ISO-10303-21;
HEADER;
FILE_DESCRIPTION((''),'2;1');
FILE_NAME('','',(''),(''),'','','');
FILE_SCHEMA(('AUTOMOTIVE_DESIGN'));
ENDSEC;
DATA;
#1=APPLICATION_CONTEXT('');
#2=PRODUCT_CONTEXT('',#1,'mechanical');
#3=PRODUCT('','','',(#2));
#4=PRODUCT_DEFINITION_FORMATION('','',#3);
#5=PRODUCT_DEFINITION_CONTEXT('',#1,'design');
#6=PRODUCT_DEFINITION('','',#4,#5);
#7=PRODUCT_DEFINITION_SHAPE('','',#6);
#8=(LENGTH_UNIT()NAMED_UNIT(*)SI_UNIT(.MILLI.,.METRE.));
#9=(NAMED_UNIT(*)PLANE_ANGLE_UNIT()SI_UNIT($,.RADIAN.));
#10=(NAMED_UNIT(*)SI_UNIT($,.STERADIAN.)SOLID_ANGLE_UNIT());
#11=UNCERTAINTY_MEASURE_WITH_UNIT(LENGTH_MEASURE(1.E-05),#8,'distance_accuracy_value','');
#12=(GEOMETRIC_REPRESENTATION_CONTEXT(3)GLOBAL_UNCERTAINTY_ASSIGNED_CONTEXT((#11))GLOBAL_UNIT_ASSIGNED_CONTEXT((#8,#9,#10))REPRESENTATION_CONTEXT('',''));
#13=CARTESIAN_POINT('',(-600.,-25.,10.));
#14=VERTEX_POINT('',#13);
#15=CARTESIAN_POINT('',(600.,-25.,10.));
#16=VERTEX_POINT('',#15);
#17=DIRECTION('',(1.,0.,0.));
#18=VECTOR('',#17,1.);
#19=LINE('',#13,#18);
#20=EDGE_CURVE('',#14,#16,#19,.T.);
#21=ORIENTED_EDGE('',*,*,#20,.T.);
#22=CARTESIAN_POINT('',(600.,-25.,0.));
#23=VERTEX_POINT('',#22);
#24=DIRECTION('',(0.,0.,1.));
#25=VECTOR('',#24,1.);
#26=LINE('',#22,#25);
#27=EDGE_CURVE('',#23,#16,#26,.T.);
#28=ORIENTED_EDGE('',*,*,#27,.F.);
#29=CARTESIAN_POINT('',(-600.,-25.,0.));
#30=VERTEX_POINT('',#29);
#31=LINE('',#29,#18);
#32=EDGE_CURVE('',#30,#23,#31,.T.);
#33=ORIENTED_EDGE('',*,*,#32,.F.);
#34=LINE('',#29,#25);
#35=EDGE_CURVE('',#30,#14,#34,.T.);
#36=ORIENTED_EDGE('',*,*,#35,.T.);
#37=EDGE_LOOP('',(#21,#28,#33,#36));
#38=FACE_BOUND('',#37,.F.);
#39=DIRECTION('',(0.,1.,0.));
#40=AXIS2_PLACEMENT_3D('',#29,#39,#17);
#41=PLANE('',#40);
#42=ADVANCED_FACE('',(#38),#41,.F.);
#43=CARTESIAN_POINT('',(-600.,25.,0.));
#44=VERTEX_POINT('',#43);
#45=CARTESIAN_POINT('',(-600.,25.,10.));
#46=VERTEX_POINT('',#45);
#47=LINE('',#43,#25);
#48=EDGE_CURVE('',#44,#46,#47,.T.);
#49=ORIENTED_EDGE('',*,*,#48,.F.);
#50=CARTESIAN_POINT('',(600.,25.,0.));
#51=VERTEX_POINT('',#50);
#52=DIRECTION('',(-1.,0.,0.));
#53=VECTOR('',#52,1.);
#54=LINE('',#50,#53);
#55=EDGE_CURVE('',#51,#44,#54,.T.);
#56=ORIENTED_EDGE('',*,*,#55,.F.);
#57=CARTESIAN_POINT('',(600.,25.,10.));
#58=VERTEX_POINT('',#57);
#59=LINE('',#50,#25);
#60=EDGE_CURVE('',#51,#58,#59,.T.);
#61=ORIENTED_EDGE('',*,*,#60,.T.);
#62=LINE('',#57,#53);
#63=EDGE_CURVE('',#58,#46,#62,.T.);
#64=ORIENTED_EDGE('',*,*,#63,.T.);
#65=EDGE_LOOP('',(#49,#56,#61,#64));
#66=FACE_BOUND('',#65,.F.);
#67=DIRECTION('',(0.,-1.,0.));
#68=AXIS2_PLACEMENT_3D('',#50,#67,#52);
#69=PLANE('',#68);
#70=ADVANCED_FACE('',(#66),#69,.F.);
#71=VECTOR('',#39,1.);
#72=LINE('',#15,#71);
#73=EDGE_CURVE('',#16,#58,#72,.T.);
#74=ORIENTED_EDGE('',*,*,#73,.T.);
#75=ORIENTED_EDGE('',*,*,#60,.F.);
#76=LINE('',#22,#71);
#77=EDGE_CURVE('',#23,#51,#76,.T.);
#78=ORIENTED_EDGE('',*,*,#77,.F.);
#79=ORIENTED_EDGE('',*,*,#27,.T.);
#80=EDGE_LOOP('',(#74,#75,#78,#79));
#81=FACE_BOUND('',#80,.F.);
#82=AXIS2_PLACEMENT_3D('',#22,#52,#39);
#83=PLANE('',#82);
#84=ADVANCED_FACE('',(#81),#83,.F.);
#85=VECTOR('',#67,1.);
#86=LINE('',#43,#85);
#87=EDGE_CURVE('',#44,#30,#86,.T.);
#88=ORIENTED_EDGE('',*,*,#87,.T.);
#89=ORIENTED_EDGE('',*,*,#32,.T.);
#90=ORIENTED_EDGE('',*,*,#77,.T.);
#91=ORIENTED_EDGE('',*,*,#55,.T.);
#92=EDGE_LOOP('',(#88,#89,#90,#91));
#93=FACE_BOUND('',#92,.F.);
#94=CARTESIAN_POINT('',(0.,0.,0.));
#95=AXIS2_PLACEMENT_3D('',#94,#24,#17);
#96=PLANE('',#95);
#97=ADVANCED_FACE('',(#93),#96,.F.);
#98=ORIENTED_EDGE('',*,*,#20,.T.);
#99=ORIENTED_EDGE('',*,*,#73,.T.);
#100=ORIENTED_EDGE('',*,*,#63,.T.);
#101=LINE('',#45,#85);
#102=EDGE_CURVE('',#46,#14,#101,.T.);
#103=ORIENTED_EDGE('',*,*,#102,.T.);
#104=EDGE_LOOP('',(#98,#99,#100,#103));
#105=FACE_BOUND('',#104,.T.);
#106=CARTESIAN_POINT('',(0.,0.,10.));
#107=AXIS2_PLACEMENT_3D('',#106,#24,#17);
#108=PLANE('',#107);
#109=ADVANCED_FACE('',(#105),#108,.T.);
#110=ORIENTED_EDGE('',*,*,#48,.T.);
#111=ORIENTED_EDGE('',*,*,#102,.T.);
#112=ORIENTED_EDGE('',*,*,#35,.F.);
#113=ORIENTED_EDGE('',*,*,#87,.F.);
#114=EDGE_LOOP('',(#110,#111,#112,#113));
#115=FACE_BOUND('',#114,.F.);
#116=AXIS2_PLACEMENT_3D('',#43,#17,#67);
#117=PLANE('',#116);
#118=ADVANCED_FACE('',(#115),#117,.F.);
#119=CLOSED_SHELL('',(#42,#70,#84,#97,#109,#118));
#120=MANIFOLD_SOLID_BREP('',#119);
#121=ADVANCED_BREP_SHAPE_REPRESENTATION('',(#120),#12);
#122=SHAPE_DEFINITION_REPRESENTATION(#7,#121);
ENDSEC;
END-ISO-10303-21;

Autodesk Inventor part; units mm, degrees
ref_plane "YZ Plane" through (0, 0, 0) normal (1, 0, 0) x (0, 1, 0)
ref_plane "XZ Plane" through (0, 0, 0) normal (0, 1, 0) x (-1, 0, 0)
ref_plane "XY Plane" through (0, 0, 0) normal (0, 0, 1) x (1, 0, 0)
sketch "Sketch1" plane through (0, 0, 0) normal (0, 0, 1) x (1, 0, 0)
  line L0 (-600, -25) -> (600, -25)
  line L1 (600, -25) -> (600, 25)
  line L2 (600, 25) -> (-600, 25)
  line L3 (-600, 25) -> (-600, -25)
  line L4 (-600, -25) -> (600, 25) construction
  line L5 (600, -25) -> (-600, 25) construction
  point P0 (0, 0)
  dimension "d0" = 1200
  dimension "d1" = 50
extrude "Extrusion1" add sketch "Sketch1" along normal blind 10
properties part number "fache_Stange" material "Birch"
